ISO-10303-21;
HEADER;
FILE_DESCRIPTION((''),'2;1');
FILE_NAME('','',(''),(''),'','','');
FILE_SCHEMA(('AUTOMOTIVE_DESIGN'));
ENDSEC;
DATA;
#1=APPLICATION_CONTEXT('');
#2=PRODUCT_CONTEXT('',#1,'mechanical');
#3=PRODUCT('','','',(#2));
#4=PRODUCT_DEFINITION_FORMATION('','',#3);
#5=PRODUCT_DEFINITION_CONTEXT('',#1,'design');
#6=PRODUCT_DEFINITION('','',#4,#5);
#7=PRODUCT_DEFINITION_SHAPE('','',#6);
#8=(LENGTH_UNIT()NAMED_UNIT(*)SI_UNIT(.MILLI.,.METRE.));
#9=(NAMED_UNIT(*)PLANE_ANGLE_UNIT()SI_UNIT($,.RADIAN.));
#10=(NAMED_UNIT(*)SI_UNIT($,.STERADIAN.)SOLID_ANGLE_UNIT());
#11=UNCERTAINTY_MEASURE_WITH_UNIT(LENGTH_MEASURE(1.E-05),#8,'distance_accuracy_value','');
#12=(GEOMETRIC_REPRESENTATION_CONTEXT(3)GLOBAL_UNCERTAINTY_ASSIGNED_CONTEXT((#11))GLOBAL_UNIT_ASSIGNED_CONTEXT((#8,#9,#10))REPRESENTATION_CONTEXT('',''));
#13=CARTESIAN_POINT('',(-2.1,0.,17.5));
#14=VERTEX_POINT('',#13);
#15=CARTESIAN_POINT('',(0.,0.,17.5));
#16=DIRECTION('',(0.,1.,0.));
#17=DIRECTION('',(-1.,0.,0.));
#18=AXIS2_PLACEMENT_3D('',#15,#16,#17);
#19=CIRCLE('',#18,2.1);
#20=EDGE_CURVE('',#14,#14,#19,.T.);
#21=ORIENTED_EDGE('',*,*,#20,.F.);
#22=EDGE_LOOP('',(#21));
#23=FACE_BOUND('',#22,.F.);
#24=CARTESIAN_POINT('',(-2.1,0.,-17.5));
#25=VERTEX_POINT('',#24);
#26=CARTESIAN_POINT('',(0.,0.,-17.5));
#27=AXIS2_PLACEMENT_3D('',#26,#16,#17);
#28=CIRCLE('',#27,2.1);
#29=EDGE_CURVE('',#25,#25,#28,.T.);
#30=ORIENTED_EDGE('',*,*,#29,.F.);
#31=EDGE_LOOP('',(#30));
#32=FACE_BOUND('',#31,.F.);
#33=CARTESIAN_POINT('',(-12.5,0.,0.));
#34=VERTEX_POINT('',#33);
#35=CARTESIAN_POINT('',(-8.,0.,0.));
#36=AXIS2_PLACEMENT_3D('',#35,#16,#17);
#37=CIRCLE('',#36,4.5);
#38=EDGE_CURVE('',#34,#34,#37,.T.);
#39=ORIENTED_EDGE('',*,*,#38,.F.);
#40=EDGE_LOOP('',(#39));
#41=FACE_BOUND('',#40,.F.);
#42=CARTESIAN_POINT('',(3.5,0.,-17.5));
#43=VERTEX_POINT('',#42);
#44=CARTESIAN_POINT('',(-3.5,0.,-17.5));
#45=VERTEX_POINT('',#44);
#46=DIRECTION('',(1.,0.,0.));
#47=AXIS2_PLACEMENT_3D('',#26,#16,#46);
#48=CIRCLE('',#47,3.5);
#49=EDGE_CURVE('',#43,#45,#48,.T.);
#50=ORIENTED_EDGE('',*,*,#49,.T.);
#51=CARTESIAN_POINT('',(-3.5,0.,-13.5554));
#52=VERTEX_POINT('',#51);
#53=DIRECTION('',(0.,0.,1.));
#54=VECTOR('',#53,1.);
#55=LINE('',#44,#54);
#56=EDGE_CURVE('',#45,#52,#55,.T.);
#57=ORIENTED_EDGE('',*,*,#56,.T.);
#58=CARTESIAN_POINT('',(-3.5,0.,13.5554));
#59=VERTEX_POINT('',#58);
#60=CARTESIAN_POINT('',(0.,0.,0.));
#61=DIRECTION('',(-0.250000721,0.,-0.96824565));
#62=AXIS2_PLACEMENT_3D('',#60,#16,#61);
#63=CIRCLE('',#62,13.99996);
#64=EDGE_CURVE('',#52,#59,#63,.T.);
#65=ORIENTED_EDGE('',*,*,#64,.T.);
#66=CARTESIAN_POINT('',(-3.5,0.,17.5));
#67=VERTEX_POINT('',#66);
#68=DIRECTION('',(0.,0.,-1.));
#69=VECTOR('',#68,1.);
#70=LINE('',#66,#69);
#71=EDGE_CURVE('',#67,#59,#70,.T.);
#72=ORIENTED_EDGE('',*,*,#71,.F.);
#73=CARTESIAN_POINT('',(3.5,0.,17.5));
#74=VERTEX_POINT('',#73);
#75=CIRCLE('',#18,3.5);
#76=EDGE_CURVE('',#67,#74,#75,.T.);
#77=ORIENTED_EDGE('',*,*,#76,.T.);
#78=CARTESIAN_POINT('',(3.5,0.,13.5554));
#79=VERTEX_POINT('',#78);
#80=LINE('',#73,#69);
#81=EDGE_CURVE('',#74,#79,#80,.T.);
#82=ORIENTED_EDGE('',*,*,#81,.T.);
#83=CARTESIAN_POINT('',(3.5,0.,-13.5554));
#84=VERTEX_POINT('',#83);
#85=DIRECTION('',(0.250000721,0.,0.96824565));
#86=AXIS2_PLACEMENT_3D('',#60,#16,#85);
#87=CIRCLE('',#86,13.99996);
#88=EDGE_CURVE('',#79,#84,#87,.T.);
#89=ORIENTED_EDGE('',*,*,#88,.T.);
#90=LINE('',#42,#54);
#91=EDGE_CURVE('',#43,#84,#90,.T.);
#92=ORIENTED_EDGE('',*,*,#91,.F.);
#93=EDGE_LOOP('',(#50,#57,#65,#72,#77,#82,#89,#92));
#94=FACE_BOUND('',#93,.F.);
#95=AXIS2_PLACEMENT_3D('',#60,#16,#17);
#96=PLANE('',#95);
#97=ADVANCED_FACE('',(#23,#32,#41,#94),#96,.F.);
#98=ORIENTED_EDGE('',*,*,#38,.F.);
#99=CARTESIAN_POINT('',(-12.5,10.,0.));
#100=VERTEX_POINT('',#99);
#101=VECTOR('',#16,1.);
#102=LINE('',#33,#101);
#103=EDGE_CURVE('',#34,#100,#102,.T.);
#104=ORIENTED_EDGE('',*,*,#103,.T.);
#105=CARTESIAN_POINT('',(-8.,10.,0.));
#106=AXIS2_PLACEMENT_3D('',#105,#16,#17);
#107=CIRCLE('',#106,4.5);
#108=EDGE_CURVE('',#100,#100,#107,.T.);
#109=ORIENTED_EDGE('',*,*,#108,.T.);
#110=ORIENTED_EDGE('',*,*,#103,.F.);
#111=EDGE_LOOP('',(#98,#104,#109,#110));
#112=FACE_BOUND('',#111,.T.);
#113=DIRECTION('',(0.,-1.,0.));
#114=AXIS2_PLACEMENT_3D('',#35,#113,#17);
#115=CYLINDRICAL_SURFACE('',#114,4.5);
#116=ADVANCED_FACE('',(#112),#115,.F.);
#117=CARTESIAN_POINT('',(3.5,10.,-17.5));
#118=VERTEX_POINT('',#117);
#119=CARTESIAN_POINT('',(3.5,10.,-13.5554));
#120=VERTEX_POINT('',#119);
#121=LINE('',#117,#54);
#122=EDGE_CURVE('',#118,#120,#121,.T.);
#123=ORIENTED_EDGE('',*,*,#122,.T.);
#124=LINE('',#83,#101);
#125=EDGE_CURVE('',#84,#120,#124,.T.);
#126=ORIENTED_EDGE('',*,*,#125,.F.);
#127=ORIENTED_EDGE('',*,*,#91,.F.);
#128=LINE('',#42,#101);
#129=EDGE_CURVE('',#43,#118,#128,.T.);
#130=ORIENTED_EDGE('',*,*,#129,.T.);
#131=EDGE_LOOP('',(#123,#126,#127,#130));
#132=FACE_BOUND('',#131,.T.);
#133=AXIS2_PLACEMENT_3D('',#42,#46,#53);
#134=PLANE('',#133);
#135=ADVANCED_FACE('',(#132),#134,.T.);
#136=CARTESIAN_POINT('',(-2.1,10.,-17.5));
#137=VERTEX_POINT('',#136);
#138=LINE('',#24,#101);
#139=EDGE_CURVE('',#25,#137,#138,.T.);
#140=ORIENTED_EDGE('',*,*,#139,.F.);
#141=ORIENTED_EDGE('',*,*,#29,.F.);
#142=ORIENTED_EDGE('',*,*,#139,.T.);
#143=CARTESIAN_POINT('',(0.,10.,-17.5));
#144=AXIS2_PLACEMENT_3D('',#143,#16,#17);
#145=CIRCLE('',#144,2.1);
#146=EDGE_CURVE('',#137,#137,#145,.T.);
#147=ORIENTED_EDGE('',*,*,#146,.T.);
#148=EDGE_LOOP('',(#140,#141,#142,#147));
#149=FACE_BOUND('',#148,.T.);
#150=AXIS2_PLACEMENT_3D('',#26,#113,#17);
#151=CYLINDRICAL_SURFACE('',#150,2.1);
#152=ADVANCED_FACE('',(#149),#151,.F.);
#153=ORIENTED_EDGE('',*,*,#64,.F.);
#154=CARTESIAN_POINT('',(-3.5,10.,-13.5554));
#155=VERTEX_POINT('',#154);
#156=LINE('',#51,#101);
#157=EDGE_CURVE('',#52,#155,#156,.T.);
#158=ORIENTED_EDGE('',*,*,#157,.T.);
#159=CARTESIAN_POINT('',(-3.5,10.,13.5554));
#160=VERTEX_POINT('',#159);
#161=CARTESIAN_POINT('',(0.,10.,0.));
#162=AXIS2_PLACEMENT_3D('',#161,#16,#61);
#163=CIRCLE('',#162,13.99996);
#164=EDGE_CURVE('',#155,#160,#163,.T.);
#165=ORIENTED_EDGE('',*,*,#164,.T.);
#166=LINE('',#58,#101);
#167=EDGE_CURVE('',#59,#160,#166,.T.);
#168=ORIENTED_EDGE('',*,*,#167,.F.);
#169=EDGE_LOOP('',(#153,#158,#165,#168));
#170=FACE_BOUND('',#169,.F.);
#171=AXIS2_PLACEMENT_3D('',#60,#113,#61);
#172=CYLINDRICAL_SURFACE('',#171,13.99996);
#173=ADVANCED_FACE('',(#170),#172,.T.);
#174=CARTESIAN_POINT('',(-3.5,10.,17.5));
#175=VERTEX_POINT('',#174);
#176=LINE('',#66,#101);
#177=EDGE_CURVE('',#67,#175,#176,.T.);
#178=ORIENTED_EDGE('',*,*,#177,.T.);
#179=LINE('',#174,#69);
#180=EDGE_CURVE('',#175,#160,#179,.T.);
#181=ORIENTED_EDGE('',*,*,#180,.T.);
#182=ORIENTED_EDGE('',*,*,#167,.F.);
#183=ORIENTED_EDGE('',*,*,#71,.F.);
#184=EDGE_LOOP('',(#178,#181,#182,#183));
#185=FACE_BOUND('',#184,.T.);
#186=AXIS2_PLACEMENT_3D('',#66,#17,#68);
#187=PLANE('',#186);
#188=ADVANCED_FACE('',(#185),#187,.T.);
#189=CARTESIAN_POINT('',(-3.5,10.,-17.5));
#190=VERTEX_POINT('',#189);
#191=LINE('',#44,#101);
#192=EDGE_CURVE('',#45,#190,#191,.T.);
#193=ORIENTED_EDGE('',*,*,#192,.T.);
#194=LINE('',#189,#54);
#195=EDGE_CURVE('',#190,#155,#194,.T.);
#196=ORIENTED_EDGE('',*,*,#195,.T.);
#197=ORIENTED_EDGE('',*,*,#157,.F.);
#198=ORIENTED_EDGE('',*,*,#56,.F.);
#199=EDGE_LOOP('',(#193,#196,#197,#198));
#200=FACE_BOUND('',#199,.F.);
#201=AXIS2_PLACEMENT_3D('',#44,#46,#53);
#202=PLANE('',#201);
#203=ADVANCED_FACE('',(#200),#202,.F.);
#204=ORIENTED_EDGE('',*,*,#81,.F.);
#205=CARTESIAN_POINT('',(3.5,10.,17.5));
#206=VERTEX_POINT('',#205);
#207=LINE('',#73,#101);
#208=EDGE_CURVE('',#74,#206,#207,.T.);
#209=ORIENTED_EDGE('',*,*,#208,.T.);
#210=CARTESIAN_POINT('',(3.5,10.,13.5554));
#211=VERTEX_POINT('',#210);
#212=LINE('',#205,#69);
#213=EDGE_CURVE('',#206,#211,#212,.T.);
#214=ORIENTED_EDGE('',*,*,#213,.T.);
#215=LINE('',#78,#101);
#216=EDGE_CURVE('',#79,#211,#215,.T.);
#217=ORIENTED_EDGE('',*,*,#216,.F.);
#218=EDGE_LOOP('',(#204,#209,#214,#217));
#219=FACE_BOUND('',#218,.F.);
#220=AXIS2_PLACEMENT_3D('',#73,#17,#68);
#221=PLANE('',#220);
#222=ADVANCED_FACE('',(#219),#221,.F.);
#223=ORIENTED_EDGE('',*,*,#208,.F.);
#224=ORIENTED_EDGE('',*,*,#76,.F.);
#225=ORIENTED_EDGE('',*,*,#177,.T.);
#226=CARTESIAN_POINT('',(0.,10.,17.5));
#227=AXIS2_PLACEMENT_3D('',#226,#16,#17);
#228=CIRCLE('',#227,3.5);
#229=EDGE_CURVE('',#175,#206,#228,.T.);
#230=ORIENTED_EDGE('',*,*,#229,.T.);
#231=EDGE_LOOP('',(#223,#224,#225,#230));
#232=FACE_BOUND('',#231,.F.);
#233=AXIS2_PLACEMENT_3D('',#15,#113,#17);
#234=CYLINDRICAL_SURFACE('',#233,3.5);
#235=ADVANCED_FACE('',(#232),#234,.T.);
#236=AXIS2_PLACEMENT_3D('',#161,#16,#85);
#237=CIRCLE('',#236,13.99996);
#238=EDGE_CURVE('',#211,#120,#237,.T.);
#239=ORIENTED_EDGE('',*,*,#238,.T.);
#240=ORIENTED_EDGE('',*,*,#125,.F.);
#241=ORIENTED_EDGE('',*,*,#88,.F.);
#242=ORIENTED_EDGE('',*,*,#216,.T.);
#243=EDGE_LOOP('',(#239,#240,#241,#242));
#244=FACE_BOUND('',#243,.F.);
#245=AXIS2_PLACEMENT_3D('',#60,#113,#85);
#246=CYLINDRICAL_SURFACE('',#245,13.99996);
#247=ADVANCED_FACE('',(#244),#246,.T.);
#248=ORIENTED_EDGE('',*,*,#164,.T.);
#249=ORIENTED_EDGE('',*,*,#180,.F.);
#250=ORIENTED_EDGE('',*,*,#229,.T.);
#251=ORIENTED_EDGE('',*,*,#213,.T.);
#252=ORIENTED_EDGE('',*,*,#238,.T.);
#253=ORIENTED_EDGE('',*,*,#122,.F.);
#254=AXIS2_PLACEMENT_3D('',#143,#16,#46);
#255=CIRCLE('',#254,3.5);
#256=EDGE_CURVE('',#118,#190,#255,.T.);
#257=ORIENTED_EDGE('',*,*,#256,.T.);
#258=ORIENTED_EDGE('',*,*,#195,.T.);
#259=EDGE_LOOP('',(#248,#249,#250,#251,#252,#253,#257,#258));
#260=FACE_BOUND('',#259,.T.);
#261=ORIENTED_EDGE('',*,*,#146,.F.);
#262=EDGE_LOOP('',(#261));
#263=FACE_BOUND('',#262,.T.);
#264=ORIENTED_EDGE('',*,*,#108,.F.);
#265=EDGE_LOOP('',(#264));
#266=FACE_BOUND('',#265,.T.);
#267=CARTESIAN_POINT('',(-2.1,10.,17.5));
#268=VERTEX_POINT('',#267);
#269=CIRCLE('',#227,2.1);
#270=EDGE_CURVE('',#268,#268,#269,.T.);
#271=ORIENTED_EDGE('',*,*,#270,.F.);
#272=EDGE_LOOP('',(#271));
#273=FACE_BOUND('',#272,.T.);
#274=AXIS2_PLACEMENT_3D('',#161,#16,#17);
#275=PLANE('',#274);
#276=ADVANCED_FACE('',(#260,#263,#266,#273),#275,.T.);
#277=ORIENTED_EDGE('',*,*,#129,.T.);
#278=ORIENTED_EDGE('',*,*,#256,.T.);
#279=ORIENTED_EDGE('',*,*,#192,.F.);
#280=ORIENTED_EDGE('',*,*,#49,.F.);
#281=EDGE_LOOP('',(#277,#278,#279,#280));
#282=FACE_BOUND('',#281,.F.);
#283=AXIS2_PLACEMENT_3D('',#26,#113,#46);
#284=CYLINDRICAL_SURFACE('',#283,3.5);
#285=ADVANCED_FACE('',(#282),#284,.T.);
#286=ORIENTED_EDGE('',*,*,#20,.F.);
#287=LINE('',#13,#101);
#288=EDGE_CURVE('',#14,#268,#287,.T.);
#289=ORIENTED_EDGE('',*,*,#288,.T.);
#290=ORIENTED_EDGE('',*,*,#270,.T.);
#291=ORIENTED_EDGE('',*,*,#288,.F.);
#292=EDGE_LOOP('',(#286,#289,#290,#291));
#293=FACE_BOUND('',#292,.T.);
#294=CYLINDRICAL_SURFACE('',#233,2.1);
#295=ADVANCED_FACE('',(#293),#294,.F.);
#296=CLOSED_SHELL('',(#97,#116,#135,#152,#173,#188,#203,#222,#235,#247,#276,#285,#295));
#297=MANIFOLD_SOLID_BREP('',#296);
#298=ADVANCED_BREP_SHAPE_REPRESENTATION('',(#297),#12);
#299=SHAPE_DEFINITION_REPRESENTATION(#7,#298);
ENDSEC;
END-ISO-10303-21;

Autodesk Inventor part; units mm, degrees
ref_plane "YZ Plane" through (0, 0, 0) normal (1, 0, 0) x (0, 1, 0)
ref_plane "XZ Plane" through (0, 0, 0) normal (0, 1, 0) x (-1, 0, 0)
ref_plane "XY Plane" through (0, 0, 0) normal (0, 0, 1) x (1, 0, 0)
sketch "Sketch1" plane through (0, 0, 0) normal (0, 1, 0) x (-1, 0, 0)
  line L0 (0, 17.5) -> (0, -17.5) construction
  circle A0 centre (0, 17.5) radius 2.1
  circle A1 centre (0, -17.5) radius 2.1
  line L1 (0, 0) -> (8, 0) construction
  circle A2 centre (8, 0) radius 4.5
  arc A3 (3.5, 17.5) -> (-3.5, 17.5) centre (0, 17.5) ccw
  arc A4 (-3.5, -17.5) -> (3.5, -17.5) centre (0, -17.5) ccw
  line L2 (3.5, 17.5) -> (3.5, 13.5554)
  line L3 (-3.5, 17.5) -> (-3.5, 13.5554)
  line L4 (3.5, -17.5) -> (3.5, -13.5554)
  line L5 (-3.5, -17.5) -> (-3.5, -13.5554)
  arc A5 (3.5, -13.5554) -> (3.5, 13.5554) centre (0, 0) ccw
  arc A6 (-3.5, 13.5554) -> (-3.5, -13.5554) centre (0, 0) ccw
  dimension "d0" = 35
  dimension "d1" = 4.2
  dimension "d2" = 4.2
  dimension "d3" = 8
  dimension "d4" = 9
  dimension "d8" = 7
  dimension "d9" = 7
extrude "Extrusion1" add sketch "Sketch1" along normal blind 10
properties part number "footprint"
